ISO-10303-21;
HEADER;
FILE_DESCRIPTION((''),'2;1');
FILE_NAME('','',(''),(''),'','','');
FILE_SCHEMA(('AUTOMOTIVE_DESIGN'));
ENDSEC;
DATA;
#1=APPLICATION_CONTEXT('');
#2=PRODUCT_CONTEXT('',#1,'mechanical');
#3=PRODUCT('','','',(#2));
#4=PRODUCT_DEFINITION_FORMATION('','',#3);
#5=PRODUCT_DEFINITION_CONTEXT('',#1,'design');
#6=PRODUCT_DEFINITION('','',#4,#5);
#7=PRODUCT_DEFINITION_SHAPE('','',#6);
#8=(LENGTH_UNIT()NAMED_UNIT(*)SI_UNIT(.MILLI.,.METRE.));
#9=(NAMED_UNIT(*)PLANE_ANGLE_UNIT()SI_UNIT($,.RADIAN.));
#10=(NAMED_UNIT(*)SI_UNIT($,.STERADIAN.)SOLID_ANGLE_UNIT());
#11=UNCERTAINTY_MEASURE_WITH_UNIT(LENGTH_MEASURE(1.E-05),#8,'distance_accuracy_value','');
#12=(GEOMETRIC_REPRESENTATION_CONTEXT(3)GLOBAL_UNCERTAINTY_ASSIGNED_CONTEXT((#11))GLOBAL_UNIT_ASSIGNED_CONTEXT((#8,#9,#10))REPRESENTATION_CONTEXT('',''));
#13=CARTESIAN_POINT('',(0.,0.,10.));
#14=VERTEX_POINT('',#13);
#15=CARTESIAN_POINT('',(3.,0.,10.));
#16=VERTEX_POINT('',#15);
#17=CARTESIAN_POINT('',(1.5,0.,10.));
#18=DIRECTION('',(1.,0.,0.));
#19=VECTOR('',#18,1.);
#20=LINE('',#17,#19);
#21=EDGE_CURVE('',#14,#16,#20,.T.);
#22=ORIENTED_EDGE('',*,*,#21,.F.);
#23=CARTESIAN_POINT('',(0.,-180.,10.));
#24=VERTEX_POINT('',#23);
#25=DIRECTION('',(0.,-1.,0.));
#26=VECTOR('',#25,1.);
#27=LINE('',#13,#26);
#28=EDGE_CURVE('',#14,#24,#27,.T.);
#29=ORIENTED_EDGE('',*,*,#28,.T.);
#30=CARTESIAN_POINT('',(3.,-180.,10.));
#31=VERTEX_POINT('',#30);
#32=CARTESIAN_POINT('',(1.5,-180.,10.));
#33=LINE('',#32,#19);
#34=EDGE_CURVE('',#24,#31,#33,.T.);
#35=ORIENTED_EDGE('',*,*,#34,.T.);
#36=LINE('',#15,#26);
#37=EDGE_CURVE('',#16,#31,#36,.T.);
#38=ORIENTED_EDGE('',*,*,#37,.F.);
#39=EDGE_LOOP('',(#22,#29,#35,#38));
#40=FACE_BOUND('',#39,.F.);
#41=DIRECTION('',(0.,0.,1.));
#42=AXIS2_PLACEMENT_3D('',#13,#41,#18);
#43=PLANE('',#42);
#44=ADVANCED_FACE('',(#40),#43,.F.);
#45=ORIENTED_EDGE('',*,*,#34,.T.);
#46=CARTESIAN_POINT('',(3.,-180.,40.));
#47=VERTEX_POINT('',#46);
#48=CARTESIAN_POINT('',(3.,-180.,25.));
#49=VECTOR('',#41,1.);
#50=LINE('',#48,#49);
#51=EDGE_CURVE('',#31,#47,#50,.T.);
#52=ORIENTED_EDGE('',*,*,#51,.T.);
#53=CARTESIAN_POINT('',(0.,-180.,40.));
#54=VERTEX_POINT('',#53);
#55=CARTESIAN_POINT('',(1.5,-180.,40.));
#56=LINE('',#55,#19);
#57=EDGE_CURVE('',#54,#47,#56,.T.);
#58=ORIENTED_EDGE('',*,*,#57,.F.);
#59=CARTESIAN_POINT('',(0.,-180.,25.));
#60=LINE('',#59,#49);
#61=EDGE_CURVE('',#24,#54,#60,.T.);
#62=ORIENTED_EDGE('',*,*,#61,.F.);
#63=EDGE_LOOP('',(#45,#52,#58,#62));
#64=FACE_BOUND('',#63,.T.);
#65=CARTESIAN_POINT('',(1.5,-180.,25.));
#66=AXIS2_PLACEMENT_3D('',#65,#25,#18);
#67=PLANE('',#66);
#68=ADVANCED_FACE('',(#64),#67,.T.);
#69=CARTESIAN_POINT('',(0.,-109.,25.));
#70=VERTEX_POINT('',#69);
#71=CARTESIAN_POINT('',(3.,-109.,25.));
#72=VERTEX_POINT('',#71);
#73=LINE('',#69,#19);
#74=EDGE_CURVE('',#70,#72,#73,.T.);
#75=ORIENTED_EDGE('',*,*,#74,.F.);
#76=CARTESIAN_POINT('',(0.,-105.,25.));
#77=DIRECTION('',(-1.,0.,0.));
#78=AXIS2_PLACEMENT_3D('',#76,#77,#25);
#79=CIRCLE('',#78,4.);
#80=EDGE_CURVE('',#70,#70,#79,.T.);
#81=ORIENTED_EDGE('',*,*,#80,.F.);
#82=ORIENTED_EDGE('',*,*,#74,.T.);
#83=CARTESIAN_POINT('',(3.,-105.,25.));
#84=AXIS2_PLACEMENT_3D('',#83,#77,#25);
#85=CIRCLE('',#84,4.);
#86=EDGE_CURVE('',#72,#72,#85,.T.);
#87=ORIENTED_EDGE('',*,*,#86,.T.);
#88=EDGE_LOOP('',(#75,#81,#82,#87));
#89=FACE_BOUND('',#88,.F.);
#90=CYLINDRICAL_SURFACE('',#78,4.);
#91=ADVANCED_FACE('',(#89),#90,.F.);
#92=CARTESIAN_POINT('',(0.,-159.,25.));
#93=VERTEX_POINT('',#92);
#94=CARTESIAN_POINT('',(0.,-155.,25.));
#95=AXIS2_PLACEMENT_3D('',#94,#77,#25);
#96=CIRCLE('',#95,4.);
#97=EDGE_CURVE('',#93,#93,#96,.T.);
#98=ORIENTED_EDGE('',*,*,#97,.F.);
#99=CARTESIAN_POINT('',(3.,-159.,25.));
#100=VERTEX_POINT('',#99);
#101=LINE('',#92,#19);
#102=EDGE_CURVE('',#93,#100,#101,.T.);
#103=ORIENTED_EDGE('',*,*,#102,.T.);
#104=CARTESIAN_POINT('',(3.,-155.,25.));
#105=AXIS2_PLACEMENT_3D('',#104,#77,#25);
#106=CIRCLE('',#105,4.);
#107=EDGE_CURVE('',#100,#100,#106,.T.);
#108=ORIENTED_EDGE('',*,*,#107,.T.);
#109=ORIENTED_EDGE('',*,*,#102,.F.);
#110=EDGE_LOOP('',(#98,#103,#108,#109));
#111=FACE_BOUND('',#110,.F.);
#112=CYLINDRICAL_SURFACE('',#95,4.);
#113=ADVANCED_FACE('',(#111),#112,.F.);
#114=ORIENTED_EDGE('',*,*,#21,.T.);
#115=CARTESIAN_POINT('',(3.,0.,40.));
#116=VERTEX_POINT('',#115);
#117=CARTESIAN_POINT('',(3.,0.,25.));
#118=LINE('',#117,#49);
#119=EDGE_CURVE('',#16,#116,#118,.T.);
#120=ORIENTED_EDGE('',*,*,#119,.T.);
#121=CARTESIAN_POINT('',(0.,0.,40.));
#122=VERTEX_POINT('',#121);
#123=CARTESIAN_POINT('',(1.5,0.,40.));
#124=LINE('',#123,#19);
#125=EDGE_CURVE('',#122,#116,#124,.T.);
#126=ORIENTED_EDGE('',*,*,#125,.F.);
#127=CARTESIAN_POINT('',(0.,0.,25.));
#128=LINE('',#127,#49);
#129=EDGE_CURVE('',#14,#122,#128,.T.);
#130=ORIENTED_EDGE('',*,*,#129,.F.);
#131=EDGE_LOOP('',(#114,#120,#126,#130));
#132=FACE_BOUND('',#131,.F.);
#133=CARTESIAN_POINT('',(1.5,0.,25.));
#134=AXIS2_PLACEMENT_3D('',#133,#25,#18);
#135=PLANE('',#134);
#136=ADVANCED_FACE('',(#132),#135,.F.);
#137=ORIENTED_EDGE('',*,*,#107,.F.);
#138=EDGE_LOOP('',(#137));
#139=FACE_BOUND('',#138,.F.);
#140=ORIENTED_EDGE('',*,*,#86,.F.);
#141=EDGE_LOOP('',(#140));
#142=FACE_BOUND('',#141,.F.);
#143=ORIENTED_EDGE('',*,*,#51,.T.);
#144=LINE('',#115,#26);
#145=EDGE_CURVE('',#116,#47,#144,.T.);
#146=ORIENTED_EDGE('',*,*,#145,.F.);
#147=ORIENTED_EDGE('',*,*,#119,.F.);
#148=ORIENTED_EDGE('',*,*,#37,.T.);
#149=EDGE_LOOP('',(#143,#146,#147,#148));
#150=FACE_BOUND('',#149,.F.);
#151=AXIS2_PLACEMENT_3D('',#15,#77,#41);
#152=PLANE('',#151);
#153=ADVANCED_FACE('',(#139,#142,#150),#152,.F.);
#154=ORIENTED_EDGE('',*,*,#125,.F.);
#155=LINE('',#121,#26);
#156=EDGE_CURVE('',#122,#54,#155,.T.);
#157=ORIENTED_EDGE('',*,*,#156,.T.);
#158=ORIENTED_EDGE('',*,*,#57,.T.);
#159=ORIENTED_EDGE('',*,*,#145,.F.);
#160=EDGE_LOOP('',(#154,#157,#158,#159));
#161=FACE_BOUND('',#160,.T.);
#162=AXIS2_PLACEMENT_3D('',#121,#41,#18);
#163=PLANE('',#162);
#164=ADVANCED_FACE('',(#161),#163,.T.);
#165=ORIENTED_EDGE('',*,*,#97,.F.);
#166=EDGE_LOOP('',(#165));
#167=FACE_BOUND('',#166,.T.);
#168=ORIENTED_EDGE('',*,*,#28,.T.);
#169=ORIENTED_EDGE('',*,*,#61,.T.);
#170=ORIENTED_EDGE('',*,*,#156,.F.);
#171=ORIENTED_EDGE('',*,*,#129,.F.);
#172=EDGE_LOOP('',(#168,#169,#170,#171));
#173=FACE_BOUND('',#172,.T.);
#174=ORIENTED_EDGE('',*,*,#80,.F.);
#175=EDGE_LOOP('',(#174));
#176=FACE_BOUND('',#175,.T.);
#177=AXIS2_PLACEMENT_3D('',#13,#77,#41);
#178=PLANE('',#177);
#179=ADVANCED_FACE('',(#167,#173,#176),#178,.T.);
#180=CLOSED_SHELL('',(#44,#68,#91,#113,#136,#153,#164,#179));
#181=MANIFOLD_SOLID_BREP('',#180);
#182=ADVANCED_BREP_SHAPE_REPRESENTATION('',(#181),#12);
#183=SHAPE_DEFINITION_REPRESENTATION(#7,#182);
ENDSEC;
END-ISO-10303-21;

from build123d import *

# Parameters (mm, degrees)
F0_W     = 3
F0_H     = 30
F1_DEPTH = 180
F2_R     = 4
F3_DEPTH = 25


with BuildPart() as f1:
    # F0 (on Front) → F1 (new body)
    with BuildSketch(Plane.XZ):
        with Locations((1.5, 25)):
            Rectangle(F0_W, F0_H)
    extrude(amount=F1_DEPTH)

    # F2 (on face) → F3 (cut)
    with BuildSketch(Plane(origin=(0, 0, 0), x_dir=(0, -1, 0), z_dir=(-1, 0, 0))):
        with Locations((155, 25)):
            Circle(F2_R)
        with Locations((105, 25)):
            Circle(F2_R)
    extrude(amount=-F3_DEPTH, mode=Mode.SUBTRACT)


solid = f1.part
